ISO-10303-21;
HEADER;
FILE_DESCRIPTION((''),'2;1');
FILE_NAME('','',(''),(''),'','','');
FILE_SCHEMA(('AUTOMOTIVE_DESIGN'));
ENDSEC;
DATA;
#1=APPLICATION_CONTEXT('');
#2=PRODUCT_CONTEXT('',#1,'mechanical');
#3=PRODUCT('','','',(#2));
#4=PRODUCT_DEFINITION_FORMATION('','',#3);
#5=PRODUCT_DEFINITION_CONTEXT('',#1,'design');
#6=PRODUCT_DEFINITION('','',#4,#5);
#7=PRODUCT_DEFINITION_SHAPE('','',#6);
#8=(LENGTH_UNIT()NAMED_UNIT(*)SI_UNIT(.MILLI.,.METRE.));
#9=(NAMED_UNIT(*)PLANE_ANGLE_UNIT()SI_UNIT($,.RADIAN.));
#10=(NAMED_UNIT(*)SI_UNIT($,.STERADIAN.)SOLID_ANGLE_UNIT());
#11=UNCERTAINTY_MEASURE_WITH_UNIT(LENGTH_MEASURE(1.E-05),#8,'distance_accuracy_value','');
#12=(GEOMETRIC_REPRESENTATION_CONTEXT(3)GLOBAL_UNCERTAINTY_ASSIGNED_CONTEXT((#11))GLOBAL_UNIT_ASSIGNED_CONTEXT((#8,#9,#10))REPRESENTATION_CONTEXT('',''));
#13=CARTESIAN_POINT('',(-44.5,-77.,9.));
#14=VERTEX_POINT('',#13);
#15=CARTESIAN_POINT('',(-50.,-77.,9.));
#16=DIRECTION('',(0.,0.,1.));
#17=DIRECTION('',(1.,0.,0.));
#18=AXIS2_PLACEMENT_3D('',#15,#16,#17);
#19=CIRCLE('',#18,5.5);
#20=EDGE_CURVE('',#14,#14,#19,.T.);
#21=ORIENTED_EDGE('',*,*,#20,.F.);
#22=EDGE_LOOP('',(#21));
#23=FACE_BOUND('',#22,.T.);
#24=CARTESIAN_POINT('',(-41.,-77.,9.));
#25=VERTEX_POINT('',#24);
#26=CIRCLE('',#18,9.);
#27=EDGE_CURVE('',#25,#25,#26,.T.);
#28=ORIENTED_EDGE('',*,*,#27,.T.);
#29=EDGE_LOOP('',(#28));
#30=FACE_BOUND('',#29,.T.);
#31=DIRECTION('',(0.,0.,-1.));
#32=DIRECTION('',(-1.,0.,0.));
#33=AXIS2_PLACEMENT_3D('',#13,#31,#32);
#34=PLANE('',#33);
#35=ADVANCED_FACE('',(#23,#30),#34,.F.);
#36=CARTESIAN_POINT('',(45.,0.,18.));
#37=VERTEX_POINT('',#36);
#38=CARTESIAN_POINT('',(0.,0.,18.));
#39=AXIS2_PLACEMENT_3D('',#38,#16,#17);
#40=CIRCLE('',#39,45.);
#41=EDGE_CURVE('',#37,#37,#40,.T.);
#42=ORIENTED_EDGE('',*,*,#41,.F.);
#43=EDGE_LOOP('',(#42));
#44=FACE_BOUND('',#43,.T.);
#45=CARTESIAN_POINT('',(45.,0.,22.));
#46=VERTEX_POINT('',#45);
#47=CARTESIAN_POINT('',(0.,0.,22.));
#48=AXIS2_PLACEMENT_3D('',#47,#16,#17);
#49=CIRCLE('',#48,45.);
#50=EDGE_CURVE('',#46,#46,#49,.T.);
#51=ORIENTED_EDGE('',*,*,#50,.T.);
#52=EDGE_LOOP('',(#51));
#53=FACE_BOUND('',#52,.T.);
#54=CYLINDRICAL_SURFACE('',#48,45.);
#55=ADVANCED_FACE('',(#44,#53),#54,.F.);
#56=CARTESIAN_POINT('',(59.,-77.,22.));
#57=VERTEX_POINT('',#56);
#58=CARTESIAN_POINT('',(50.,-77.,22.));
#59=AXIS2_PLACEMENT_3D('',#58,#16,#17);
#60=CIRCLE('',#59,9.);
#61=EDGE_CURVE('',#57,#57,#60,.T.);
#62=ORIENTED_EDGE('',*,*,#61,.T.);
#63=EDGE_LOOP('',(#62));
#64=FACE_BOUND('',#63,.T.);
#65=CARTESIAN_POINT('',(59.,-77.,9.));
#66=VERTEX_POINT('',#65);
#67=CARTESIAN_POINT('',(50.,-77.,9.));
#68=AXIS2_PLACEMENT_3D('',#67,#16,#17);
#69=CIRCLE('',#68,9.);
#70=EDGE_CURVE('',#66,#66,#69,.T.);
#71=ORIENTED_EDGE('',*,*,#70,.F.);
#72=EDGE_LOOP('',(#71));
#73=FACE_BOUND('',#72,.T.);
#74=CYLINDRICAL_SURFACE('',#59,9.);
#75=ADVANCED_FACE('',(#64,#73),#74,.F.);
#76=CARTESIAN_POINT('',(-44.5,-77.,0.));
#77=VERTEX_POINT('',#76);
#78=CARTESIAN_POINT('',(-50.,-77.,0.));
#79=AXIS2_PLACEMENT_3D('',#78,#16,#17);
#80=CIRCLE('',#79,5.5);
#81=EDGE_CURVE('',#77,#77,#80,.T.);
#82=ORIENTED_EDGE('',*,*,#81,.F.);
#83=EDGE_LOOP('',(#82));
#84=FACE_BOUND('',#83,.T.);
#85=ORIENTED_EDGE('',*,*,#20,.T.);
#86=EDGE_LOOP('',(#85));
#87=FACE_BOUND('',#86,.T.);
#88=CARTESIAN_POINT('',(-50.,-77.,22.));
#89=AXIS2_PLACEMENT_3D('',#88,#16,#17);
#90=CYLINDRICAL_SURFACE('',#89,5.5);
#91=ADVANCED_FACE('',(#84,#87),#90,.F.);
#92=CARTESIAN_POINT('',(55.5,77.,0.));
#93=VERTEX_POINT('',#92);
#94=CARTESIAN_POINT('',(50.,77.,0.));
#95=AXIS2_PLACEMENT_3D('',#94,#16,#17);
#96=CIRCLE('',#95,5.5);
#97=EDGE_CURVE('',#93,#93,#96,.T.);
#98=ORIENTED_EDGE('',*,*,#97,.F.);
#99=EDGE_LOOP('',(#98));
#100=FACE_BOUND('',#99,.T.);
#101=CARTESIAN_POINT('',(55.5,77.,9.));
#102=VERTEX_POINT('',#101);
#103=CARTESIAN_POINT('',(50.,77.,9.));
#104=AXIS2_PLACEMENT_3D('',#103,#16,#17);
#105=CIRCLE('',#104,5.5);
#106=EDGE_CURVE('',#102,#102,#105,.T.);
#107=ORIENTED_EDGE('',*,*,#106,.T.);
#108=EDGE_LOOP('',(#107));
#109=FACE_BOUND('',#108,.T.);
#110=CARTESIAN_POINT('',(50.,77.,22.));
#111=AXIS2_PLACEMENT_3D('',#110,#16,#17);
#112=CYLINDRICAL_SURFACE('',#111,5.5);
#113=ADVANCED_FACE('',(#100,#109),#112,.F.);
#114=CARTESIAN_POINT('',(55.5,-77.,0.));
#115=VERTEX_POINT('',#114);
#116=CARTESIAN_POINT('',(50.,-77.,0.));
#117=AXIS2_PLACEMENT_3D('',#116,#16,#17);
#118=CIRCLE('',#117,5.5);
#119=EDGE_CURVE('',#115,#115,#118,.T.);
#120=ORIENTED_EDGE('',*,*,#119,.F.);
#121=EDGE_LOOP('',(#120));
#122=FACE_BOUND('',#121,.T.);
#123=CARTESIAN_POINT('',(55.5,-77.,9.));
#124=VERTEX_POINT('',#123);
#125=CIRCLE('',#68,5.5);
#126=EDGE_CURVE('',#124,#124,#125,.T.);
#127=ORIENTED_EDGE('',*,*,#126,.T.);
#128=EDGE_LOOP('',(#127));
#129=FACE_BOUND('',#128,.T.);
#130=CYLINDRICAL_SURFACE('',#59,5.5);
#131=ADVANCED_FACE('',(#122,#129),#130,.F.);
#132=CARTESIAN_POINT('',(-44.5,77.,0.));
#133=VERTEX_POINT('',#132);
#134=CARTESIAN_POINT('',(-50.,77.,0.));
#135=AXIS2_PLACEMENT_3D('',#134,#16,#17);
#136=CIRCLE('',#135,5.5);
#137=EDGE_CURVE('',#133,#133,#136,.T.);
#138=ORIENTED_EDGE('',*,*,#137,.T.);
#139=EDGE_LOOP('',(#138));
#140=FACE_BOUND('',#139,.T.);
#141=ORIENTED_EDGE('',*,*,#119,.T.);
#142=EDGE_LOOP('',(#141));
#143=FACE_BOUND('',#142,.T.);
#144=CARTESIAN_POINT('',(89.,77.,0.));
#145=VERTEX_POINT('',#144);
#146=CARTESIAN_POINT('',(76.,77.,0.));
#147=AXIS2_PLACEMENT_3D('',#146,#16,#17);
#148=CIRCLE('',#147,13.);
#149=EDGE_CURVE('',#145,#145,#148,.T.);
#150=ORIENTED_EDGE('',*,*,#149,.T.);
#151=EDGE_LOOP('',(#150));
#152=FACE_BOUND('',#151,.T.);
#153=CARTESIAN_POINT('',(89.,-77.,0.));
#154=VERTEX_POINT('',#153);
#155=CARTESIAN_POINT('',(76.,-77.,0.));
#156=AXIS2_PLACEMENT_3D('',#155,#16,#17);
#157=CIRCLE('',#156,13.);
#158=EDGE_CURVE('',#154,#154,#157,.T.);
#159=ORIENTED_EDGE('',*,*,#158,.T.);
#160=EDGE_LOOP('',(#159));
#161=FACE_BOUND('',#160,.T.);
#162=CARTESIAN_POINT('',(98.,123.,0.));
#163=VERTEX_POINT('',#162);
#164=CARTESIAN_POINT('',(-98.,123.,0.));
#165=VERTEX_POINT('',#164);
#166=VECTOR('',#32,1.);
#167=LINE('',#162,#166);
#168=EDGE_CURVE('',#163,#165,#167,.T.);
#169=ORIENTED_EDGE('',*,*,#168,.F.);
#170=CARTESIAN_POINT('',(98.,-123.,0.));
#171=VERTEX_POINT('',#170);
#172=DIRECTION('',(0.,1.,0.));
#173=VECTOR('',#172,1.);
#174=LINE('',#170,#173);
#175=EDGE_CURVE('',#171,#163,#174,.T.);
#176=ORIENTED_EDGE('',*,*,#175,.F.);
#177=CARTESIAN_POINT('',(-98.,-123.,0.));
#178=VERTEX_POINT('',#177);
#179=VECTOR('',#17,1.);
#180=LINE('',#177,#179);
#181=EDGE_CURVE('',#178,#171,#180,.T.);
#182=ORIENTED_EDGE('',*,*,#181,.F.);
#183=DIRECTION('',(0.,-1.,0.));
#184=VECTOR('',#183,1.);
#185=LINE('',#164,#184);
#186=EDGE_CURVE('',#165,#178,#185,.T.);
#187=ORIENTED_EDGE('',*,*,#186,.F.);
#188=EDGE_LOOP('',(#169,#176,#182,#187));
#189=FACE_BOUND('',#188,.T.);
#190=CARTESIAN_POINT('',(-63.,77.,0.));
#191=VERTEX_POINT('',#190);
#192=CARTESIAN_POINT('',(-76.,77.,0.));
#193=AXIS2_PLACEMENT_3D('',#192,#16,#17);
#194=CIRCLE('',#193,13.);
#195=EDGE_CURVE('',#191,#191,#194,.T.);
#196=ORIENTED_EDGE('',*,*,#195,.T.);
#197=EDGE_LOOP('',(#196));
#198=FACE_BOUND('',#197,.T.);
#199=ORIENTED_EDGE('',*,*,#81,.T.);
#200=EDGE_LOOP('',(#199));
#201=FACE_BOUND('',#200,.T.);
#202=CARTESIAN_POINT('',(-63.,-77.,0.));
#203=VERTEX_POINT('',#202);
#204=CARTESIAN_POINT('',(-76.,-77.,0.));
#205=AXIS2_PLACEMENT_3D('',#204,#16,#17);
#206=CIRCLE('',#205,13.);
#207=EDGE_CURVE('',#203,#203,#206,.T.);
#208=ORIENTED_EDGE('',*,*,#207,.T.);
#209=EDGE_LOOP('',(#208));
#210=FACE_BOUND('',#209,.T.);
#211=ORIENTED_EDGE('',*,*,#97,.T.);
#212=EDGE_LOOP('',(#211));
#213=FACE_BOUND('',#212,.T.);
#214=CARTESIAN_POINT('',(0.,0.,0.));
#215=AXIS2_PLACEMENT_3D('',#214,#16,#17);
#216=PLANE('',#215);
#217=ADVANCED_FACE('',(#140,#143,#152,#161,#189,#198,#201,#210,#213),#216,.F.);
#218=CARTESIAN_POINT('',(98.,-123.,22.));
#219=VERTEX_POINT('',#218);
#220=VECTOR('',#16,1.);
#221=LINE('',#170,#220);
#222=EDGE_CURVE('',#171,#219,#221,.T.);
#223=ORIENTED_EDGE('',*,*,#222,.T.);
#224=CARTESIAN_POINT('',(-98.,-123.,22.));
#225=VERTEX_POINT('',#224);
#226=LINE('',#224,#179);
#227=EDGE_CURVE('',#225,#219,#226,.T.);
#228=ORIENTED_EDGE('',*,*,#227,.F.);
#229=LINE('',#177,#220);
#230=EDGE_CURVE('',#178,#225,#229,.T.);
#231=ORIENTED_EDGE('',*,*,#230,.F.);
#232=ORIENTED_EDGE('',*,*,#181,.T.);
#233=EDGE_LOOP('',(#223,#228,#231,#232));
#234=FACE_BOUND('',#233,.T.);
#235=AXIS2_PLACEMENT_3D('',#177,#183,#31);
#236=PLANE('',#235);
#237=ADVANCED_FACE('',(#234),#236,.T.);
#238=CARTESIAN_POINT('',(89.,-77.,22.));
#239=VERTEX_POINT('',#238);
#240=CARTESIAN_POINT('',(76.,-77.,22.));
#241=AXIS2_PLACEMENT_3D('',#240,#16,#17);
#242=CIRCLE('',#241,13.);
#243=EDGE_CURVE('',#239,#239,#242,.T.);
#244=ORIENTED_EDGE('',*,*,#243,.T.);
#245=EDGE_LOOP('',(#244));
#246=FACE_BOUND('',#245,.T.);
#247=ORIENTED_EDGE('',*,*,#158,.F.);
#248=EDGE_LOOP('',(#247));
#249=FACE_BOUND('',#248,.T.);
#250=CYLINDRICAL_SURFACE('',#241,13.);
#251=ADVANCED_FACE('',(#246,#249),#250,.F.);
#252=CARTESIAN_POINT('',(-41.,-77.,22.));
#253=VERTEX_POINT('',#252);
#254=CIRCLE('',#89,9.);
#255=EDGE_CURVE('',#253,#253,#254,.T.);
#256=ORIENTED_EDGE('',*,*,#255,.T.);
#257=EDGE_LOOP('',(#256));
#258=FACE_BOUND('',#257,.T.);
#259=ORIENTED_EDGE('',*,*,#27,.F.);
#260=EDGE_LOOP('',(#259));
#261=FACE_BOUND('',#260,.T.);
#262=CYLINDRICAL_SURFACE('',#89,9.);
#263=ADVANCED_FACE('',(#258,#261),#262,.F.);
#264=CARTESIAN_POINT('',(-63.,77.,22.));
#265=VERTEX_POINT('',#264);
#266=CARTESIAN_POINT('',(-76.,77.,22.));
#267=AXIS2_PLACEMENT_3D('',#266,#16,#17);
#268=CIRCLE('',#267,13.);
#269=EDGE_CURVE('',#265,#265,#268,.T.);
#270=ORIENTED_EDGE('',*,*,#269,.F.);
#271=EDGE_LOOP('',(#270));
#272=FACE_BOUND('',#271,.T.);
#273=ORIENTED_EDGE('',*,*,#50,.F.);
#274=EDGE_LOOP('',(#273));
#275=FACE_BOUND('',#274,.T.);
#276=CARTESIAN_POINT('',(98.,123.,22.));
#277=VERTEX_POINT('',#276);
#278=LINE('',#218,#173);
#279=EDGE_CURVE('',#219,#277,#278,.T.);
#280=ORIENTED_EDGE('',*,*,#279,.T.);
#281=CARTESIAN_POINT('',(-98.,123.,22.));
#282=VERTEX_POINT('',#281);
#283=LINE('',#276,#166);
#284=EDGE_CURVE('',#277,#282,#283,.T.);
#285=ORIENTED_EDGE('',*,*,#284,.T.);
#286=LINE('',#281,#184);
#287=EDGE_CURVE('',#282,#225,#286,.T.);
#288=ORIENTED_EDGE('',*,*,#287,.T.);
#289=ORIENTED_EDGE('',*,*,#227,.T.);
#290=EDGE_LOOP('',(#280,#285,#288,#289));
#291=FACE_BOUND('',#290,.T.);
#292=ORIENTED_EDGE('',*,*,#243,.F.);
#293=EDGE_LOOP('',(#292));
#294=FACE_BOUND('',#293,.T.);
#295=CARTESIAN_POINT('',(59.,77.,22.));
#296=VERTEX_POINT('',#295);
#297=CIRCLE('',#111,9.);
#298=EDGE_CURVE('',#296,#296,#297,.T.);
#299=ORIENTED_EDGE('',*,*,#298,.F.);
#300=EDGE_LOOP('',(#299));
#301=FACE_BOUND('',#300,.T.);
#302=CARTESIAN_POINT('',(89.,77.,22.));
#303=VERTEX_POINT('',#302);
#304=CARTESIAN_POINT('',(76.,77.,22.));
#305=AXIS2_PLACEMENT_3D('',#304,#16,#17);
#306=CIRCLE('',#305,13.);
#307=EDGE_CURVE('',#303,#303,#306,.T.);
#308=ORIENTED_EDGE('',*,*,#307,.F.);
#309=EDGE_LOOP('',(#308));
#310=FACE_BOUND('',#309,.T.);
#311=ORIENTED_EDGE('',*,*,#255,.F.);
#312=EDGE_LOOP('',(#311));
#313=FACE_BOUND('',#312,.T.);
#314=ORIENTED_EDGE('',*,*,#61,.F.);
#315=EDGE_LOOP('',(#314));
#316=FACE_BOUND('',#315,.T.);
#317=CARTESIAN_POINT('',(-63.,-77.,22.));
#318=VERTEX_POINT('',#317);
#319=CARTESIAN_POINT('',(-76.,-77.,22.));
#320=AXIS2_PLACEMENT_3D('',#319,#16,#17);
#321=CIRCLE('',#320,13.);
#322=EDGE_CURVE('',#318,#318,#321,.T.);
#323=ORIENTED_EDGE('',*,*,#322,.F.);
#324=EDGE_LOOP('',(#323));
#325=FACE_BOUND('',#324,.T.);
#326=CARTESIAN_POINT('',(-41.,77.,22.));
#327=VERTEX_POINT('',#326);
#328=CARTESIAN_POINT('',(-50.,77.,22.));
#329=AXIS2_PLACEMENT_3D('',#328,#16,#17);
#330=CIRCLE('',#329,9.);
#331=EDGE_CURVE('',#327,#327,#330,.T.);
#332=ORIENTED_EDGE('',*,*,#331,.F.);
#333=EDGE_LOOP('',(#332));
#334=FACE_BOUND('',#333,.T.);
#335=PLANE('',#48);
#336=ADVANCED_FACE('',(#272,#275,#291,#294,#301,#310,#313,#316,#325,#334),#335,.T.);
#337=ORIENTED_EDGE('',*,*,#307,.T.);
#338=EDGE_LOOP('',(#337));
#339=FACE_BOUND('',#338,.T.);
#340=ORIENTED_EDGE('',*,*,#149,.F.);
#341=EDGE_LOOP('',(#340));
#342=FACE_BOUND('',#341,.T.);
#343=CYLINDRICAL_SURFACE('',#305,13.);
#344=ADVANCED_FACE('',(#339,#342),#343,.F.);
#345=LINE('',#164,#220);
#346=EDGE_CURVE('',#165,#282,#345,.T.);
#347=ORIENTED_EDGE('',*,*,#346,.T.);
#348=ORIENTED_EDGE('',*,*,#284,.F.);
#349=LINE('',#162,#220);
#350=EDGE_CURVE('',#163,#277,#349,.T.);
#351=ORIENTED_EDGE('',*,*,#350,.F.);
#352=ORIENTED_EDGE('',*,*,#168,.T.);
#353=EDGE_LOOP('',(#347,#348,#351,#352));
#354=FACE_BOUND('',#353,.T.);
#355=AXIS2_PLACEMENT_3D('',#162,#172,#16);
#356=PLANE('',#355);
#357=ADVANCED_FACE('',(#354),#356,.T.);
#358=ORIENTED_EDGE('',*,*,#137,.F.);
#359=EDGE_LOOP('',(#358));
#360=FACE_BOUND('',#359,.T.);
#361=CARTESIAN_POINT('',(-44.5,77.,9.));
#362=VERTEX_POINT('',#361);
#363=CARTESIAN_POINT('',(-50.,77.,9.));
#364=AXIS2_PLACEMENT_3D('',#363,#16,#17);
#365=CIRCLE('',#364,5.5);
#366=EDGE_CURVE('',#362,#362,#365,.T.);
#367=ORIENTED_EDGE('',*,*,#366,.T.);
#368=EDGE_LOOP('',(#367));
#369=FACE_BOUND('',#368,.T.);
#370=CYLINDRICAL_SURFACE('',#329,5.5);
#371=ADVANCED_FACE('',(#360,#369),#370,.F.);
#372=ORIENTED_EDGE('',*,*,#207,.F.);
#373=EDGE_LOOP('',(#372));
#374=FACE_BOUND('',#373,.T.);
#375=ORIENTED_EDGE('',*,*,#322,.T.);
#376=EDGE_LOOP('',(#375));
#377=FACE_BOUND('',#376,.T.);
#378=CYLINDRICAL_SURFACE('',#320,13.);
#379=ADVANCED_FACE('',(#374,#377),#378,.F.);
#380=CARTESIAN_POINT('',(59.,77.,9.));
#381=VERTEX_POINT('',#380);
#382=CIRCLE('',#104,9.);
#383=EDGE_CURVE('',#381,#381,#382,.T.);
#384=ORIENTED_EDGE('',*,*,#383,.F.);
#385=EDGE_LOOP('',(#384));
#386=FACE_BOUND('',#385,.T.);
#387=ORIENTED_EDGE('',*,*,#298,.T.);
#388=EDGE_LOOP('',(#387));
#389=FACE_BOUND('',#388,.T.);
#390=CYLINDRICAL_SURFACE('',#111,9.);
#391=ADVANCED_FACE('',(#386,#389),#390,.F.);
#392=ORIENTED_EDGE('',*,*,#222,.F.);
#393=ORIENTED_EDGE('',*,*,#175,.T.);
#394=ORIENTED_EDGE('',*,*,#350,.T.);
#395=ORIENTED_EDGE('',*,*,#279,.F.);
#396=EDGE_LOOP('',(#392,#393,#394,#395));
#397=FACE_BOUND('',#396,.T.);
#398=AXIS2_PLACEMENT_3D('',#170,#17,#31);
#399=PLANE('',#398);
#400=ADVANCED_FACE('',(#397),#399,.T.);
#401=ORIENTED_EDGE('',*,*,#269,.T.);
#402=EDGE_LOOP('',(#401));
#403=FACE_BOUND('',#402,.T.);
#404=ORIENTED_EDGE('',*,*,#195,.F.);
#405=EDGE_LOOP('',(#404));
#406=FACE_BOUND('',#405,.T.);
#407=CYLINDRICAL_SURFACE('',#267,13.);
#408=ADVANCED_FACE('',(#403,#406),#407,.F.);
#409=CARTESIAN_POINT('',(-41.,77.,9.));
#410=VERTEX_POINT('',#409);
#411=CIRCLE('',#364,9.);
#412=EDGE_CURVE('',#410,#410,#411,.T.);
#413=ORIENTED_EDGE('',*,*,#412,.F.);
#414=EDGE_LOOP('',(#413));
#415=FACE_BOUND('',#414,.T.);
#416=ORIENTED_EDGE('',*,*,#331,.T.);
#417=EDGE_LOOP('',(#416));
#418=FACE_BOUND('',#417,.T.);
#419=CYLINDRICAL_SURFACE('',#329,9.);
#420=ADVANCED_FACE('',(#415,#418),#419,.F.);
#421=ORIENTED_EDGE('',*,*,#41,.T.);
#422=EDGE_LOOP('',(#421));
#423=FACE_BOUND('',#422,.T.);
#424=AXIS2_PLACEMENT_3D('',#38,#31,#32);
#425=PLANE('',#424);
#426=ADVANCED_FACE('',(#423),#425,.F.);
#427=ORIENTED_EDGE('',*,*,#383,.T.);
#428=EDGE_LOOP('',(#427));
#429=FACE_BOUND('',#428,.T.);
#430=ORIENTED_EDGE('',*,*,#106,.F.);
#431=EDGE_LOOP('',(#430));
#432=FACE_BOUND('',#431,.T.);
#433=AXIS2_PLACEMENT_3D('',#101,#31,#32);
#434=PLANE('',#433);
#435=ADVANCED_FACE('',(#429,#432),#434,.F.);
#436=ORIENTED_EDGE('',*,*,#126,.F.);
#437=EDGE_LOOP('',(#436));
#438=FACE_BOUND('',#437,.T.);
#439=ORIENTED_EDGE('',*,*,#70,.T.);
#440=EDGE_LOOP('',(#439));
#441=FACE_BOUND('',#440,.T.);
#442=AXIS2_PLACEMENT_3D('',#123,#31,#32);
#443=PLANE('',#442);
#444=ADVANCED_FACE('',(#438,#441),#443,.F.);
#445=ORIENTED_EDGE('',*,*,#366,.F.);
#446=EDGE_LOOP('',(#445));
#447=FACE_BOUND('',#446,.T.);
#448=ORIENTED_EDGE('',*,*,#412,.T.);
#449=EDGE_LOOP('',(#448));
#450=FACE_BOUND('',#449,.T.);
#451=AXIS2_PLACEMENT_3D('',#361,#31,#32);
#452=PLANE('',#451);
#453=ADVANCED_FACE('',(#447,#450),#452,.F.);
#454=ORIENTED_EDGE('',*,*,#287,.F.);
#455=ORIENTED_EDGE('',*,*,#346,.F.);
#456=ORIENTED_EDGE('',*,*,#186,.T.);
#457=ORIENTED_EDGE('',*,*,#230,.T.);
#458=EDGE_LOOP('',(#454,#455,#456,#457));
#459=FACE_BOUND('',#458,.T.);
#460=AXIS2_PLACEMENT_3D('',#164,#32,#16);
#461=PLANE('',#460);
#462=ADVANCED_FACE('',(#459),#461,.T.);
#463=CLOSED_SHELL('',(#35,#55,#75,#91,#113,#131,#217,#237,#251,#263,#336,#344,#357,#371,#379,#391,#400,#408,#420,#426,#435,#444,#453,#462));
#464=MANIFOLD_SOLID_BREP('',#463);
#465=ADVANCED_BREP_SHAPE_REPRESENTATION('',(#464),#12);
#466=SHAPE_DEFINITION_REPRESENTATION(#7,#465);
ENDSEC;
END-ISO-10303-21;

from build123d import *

# Parameters (mm, degrees)
SKETCH_1_W                   = 196
SKETCH_1_H                   = 246
EXTRUDE_1_DEPTH              = 22
HOLE_WIZARD_M101_D           = 11
HOLE_WIZARD_M101_CBORE_D     = 18
HOLE_WIZARD_M101_CBORE_DEPTH = 13
HOLE_WIZARD_M221_D           = 26
HOLE_WIZARD_M801_D           = 90
HOLE_WIZARD_M801_DEPTH       = 4


with BuildPart() as part:
    # Эскиз1 → Бобышка-Вытянуть1 (new body)
    with BuildSketch(Plane.XY.offset(22)):
        Rectangle(SKETCH_1_W, SKETCH_1_H)
    extrude(amount=-EXTRUDE_1_DEPTH)

    # Цековка для  болта с шестигранной головкой M101 (through all)
    with Locations(Plane.XY.offset(22)):
        with Locations((50, 77), (50, -77), (-50, 77), (-50, -77)):
            CounterBoreHole(HOLE_WIZARD_M101_D / 2, HOLE_WIZARD_M101_CBORE_D / 2, HOLE_WIZARD_M101_CBORE_DEPTH)

    # Отверстие с зазором M221 (through all)
    with Locations(Plane.XY.offset(22)):
        with Locations((76, 77), (76, -77), (-76, -77), (-76, 77)):
            Hole(HOLE_WIZARD_M221_D / 2)

    # Отверстие с зазором M801
    with Locations(Plane.XY.offset(22)):
        with Locations((0, 0)):
            Hole(HOLE_WIZARD_M801_D / 2, depth=HOLE_WIZARD_M801_DEPTH)


solid = part.part
